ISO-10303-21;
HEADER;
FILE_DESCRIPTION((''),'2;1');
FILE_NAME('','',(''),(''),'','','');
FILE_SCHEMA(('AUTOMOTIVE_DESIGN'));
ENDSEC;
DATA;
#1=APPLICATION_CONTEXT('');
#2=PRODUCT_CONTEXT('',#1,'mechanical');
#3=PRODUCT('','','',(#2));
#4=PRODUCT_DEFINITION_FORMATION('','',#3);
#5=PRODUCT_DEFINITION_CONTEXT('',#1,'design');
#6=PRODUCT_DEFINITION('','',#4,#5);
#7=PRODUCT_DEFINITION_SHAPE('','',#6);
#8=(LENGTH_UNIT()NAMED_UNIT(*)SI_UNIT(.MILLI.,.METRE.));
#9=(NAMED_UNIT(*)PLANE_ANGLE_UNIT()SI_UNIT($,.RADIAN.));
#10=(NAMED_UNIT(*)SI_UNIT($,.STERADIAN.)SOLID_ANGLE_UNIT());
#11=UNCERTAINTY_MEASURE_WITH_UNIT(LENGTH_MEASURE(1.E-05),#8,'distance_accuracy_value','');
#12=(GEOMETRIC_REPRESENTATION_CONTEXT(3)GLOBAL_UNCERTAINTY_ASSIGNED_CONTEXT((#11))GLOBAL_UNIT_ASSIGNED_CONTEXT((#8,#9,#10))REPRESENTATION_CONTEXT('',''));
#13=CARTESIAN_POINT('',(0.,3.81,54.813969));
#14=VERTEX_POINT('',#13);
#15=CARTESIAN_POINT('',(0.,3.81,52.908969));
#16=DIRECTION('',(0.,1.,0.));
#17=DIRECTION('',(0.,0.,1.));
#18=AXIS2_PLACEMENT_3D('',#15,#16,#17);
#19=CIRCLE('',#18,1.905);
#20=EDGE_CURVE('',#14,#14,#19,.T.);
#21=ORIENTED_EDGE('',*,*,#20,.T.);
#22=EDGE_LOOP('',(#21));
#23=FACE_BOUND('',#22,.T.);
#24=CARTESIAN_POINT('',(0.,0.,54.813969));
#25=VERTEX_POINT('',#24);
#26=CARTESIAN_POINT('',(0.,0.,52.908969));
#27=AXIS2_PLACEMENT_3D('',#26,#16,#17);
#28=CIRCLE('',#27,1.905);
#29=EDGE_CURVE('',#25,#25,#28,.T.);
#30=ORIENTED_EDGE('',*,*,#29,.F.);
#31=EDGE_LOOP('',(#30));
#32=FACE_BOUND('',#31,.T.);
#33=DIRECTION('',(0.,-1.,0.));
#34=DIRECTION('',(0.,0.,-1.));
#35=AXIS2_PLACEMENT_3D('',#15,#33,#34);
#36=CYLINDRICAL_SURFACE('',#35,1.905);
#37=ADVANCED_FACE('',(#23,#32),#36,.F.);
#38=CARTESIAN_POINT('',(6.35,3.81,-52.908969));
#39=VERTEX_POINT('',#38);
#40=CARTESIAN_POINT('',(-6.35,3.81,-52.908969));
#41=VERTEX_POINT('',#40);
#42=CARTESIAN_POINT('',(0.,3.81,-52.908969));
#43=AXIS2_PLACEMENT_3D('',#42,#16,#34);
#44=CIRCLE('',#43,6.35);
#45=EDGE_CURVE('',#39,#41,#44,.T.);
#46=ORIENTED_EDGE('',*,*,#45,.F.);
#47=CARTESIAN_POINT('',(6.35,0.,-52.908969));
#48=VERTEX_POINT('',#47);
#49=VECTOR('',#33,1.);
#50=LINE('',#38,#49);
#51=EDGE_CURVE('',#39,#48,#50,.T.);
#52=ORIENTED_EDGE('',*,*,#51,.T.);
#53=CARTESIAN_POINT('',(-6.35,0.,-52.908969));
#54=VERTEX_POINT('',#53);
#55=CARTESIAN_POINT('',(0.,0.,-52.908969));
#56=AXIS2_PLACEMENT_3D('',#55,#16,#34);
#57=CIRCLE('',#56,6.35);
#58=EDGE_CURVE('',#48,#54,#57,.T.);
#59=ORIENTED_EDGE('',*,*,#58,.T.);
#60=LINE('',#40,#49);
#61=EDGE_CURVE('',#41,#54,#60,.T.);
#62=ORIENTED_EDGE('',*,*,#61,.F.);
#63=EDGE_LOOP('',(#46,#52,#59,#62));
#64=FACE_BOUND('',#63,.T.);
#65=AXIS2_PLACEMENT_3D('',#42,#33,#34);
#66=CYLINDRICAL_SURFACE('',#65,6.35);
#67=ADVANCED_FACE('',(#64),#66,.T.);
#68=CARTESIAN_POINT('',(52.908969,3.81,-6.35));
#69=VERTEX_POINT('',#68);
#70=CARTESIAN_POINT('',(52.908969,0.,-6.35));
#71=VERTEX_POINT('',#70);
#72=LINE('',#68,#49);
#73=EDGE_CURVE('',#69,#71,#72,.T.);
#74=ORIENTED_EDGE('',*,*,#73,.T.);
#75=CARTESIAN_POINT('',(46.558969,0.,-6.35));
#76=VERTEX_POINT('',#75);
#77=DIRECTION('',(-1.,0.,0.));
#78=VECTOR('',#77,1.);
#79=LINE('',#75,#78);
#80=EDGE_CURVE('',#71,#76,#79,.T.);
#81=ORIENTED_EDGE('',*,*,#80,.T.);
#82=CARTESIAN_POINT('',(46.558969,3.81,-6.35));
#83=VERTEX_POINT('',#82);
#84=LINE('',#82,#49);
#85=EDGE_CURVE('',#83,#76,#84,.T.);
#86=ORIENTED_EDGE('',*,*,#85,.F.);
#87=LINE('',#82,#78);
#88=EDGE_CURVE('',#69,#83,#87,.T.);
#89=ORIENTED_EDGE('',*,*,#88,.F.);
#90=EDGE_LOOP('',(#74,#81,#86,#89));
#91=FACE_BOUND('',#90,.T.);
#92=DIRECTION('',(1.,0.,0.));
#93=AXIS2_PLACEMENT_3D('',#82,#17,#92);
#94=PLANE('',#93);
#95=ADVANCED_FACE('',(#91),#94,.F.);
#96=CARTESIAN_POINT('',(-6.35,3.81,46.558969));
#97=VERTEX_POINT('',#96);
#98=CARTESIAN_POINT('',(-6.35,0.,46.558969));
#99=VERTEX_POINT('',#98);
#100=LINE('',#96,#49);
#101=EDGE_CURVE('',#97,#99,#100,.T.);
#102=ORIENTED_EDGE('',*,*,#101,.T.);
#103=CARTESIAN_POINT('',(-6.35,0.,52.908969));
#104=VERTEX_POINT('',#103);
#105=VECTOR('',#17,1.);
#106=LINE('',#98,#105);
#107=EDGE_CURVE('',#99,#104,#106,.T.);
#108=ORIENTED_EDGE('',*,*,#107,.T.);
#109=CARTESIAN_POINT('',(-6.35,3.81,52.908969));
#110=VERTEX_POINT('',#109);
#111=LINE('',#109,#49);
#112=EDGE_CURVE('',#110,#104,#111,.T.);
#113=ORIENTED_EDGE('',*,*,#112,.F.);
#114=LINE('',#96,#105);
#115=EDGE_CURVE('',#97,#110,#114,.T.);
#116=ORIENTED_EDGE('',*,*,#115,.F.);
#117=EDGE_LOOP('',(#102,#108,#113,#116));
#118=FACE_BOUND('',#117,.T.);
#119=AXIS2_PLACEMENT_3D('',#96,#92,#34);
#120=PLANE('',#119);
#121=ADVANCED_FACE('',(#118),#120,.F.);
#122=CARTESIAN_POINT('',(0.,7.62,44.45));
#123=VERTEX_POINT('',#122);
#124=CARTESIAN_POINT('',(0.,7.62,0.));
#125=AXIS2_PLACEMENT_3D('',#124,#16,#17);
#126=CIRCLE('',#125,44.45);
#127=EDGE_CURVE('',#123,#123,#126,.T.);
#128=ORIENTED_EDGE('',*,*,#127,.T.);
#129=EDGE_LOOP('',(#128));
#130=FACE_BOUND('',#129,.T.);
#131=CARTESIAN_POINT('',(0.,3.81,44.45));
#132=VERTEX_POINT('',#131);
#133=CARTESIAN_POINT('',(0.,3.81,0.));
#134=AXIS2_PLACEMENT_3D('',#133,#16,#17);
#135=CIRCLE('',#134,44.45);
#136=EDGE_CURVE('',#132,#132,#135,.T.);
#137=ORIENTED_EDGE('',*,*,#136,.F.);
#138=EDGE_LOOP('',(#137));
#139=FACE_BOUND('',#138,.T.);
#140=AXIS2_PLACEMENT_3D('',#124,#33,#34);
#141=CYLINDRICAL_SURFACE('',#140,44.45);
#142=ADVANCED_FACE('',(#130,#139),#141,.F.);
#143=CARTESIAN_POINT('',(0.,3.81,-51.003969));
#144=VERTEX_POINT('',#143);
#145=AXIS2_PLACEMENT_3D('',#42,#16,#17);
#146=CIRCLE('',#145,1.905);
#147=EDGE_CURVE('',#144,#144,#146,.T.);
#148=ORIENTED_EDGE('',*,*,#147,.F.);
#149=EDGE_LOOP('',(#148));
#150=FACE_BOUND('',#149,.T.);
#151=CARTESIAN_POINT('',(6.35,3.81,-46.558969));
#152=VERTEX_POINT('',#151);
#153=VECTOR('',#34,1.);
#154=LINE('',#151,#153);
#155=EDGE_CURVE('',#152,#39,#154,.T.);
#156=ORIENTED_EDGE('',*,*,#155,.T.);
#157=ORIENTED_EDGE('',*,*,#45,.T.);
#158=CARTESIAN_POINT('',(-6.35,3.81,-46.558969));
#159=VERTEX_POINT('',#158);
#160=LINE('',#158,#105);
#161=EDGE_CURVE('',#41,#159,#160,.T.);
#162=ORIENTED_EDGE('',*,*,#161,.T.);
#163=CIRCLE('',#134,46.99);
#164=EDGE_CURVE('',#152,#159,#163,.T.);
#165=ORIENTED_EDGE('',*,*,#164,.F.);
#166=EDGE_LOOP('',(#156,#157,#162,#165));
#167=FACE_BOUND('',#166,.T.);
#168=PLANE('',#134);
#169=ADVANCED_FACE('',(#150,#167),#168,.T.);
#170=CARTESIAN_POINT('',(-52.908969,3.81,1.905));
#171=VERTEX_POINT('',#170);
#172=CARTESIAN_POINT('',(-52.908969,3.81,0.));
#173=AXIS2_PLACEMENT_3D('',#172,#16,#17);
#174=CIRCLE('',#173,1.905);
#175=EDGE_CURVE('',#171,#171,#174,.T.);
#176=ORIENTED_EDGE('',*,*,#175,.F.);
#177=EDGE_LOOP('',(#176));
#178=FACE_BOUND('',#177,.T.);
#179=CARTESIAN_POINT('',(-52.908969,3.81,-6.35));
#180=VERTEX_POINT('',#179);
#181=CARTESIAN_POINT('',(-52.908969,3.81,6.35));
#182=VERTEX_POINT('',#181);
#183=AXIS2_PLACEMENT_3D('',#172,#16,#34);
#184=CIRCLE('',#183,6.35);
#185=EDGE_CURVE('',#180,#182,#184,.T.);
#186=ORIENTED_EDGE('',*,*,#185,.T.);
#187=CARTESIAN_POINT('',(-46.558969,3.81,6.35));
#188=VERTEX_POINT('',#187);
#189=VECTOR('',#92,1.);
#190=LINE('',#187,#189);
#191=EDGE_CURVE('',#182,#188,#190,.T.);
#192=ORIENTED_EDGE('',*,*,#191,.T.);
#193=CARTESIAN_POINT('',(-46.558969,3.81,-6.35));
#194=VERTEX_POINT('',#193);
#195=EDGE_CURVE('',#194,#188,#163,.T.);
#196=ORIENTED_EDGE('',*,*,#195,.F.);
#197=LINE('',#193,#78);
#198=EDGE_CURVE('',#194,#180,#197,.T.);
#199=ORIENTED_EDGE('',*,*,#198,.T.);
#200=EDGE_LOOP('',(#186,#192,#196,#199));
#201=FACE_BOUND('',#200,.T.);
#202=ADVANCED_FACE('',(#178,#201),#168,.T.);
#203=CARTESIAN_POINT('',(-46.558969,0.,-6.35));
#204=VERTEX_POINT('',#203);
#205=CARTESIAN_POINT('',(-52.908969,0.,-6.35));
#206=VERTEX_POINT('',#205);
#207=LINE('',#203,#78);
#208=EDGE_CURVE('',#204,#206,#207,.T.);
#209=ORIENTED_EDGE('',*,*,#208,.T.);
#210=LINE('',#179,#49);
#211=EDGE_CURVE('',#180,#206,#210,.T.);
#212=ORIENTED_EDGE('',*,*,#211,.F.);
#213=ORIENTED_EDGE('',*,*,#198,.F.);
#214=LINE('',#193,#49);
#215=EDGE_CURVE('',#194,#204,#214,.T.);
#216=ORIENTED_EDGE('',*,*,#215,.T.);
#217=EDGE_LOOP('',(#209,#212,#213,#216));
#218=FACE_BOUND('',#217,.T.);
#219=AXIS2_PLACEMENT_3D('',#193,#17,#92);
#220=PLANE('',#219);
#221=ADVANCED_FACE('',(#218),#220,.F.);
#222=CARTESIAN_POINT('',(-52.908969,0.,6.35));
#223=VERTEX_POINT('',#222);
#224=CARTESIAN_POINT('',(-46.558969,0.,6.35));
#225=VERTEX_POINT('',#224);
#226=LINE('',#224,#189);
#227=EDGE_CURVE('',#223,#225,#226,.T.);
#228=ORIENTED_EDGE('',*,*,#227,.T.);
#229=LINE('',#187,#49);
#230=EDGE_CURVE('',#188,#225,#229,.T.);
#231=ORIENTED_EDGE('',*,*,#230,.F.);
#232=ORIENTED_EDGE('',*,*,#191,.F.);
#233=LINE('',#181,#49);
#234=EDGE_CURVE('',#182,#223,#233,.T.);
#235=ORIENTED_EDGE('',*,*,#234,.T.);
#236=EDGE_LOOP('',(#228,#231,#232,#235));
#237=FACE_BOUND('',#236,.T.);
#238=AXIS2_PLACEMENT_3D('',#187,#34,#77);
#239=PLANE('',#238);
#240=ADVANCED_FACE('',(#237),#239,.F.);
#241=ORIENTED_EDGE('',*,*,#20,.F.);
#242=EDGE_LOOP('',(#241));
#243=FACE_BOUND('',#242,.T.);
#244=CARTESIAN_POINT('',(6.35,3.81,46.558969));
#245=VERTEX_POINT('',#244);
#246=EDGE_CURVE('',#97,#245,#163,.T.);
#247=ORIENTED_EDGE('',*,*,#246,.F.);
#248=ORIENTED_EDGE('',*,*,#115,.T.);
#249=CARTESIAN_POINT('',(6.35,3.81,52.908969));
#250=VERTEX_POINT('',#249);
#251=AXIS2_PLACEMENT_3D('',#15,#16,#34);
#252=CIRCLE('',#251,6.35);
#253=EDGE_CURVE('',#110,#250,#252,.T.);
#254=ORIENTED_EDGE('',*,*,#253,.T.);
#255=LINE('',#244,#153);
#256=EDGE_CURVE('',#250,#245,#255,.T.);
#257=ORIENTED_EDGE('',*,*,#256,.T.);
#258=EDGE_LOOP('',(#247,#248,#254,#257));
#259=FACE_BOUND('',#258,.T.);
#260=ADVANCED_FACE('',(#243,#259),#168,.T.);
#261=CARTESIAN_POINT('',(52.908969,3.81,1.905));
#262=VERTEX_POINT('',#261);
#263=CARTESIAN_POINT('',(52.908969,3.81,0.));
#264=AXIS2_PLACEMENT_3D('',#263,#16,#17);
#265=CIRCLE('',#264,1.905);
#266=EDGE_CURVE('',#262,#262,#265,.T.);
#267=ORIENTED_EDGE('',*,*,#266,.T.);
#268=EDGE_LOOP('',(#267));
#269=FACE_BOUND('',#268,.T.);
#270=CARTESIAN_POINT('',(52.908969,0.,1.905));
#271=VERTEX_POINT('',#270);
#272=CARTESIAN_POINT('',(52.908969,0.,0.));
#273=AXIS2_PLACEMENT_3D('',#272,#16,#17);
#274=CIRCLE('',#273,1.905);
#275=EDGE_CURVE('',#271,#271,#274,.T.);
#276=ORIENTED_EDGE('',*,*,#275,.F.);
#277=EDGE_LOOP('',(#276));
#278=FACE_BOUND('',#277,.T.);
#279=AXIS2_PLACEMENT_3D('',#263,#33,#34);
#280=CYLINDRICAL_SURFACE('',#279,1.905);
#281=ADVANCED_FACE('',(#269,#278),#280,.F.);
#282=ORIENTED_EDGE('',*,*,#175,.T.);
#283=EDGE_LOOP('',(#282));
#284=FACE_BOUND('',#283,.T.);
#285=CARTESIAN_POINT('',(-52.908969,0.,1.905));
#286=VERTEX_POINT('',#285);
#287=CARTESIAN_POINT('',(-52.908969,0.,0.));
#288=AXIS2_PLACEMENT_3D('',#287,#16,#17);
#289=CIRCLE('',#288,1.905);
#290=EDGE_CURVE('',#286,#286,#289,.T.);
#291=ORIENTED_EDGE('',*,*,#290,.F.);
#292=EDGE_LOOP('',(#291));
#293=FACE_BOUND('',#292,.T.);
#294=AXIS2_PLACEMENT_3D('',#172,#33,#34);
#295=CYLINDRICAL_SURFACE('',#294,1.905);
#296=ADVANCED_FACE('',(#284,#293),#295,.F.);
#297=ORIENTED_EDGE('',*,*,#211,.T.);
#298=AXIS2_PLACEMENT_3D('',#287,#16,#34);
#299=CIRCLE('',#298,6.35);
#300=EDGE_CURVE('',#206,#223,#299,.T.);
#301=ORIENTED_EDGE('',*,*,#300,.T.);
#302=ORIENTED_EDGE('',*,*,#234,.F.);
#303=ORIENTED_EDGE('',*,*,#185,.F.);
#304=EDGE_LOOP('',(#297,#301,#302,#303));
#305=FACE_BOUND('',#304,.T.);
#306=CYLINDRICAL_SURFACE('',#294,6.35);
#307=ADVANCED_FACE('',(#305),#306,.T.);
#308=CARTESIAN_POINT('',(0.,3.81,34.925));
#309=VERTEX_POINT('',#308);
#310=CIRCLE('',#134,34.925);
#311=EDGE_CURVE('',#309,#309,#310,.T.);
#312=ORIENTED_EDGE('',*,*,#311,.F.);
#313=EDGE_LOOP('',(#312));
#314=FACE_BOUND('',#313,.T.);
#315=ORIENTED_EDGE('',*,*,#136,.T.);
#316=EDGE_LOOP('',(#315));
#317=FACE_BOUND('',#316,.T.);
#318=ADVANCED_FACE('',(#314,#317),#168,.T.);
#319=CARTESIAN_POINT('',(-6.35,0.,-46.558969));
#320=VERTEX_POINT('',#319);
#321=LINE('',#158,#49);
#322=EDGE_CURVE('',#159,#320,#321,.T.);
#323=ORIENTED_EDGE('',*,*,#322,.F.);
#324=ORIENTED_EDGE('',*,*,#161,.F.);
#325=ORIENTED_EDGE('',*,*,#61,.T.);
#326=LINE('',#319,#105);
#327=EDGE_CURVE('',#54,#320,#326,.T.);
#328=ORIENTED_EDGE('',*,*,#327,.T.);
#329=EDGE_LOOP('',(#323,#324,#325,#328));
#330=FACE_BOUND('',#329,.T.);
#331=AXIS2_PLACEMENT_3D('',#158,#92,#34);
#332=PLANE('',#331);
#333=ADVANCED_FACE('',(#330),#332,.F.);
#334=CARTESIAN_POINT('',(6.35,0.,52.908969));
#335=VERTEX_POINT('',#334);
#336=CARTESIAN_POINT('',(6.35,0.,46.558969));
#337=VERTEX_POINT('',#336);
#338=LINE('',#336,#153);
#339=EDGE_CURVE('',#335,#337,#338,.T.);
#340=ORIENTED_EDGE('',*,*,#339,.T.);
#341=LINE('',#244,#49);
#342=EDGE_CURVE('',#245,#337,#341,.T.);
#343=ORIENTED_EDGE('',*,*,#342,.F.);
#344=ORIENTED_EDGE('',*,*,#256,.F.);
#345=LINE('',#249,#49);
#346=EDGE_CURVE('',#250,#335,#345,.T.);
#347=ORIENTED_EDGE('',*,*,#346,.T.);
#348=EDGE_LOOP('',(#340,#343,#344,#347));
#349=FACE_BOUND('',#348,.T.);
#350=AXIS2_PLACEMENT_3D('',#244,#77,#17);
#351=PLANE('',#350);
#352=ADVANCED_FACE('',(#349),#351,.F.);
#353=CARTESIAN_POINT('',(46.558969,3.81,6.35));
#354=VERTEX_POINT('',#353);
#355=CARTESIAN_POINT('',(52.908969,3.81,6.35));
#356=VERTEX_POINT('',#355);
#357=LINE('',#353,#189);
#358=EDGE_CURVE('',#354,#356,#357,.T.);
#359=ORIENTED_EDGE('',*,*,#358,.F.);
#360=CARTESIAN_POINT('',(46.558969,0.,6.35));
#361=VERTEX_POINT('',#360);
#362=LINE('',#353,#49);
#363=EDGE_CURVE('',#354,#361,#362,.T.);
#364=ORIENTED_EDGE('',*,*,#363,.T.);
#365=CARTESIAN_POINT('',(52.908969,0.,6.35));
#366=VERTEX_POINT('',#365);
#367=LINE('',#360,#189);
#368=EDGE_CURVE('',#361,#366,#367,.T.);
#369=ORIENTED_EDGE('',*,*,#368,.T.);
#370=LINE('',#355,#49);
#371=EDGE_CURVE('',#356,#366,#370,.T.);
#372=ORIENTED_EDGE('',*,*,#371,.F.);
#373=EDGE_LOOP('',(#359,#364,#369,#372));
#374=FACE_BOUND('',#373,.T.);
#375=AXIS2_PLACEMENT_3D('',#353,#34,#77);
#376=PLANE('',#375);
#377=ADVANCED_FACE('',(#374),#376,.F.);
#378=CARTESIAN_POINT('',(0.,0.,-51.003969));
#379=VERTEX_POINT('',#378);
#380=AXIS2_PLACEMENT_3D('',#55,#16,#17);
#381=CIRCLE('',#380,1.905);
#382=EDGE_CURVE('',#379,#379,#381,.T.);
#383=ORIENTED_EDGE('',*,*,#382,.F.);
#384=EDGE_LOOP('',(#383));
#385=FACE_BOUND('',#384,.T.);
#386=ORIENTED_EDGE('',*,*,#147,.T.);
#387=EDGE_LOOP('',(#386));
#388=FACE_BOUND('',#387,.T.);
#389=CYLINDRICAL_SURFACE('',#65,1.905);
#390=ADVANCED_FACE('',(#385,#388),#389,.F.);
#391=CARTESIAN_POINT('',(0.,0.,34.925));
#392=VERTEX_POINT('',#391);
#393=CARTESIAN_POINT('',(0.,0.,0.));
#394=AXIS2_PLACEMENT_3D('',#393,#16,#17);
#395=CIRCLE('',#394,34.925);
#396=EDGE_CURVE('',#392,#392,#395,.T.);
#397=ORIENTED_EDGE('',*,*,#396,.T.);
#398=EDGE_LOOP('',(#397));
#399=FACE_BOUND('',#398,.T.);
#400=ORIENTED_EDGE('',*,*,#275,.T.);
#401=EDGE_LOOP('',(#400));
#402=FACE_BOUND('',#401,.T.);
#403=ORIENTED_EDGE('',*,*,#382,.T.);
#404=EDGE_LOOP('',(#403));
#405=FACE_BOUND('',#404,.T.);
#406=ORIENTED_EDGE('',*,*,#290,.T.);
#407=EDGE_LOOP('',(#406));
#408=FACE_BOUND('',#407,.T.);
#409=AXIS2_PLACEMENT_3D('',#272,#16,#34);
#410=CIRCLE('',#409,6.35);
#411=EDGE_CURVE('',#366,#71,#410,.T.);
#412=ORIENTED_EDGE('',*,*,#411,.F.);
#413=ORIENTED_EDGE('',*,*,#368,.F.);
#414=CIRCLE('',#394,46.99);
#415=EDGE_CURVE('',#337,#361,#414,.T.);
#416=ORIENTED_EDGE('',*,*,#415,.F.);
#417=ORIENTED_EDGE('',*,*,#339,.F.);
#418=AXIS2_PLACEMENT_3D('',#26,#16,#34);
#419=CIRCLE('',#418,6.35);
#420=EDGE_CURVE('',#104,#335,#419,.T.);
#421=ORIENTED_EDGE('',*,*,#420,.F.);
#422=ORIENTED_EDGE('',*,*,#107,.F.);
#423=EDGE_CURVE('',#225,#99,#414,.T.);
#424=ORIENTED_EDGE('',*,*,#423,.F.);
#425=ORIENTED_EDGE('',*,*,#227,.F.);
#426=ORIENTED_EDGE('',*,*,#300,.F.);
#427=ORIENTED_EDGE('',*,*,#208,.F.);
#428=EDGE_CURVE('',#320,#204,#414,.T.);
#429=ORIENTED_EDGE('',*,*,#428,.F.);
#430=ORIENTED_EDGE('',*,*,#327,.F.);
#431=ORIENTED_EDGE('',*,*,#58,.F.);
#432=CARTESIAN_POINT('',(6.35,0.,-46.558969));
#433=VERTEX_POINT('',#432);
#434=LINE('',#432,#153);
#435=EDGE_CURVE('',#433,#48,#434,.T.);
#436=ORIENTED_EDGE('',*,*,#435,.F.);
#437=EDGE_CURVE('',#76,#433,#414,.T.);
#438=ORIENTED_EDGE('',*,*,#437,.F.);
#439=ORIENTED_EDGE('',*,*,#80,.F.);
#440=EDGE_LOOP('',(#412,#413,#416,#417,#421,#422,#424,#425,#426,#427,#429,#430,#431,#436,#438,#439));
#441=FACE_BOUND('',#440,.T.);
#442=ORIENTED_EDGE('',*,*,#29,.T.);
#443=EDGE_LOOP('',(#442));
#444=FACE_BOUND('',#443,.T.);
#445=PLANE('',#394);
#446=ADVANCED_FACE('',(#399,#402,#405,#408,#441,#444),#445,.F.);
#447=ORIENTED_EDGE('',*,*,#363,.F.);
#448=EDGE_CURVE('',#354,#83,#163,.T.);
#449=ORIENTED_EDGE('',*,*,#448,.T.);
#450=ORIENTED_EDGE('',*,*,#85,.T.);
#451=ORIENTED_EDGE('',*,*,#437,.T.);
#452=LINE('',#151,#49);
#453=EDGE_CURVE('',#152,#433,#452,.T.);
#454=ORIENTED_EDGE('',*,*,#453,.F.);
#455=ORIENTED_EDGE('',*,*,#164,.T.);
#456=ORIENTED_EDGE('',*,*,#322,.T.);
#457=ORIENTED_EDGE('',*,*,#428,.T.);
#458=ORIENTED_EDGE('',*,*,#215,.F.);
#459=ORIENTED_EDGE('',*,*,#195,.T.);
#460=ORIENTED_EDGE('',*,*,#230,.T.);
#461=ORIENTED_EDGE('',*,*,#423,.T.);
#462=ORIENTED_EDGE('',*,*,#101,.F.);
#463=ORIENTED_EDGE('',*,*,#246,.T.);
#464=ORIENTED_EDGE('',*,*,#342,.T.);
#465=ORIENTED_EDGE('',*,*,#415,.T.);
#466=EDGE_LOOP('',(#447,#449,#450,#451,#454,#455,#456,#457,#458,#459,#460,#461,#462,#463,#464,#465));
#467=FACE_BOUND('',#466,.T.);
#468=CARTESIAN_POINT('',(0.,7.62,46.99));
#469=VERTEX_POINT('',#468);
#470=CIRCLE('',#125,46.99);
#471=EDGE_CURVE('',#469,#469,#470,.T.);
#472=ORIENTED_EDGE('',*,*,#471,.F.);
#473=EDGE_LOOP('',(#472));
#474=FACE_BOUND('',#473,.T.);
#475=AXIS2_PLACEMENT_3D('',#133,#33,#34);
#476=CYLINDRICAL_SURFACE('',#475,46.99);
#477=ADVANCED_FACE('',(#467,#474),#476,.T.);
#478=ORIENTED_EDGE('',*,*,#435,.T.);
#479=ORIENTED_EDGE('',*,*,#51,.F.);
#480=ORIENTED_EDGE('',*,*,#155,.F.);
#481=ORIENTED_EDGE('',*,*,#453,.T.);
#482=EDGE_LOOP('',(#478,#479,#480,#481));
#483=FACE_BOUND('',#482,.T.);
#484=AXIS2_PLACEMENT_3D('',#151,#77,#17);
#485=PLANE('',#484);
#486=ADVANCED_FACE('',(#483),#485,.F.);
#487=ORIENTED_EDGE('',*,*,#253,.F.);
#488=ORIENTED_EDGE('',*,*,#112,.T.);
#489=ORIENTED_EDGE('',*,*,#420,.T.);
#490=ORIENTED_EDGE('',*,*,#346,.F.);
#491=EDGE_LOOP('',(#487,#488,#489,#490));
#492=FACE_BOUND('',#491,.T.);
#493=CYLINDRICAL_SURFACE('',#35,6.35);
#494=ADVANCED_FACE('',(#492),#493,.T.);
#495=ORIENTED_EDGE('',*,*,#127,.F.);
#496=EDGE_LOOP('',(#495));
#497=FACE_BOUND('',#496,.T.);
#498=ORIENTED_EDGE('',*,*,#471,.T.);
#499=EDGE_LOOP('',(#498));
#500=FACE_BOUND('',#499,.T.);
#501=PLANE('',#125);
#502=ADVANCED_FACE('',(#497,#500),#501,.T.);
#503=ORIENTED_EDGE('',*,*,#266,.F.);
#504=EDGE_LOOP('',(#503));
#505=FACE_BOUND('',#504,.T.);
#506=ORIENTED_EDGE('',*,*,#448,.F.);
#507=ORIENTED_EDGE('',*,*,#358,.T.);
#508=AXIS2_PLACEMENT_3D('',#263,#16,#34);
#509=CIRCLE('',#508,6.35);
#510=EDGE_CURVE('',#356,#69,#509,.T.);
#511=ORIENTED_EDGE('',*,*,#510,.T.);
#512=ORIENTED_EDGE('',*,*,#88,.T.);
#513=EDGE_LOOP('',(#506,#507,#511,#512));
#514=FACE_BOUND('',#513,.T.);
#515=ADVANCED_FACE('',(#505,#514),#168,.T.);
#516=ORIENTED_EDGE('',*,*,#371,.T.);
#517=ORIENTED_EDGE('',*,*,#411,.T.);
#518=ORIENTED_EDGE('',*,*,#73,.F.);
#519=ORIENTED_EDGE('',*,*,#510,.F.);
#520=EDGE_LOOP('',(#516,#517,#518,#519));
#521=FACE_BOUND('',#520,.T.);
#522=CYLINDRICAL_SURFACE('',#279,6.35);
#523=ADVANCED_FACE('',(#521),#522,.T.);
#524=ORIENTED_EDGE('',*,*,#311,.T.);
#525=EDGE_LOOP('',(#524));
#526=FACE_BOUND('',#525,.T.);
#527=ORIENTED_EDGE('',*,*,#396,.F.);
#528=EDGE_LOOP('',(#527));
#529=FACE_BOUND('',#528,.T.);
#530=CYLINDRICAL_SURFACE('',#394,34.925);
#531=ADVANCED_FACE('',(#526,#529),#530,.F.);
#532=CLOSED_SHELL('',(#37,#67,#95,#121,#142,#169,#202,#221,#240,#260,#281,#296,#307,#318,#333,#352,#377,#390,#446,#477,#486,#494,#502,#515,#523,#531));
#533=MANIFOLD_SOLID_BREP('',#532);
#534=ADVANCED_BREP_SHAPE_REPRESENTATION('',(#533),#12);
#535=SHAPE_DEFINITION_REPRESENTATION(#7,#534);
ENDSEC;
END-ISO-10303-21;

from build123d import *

# Parameters (mm, degrees)
SKETCH1_R           = 1.905
BOSS_EXTRUDE1_DEPTH = 3.81
SKETCH2_R           = 34.925
CUT_EXTRUDE2_DEPTH  = 4.81
SKETCH3_R           = 46.99
SKETCH3_R_2         = 44.45
BOSS_EXTRUDE2_DEPTH = 3.81


with BuildPart() as part:
    # Sketch1 → Boss-Extrude1 (new body)
    with BuildSketch(Plane(origin=(0, 0, 0), x_dir=(1, 0, 0), z_dir=(0, 1, 0))):
        with BuildLine():
            Line((46.558969061, 6.35), (52.908969061, 6.35))
            ThreePointArc((52.908969061, 6.35), (59.258969061, 0), (52.908969061, -6.35))
            Line((52.908969061, -6.35), (46.558969061, -6.35))
            ThreePointArc((46.558969061, -6.35), (33.226947648, -33.226947648), (6.35, -46.558969061))
            Line((6.35, -46.558969061), (6.35, -52.908969061))
            ThreePointArc((6.35, -52.908969061), (0, -59.258969061), (-6.35, -52.908969061))
            Line((-6.35, -52.908969061), (-6.35, -46.558969061))
            ThreePointArc((-6.35, -46.558969061), (-33.226947648, -33.226947648), (-46.558969061, -6.35))
            Line((-46.558969061, -6.35), (-52.908969061, -6.35))
            ThreePointArc((-52.908969061, -6.35), (-59.258969061, 0), (-52.908969061, 6.35))
            Line((-52.908969061, 6.35), (-46.558969061, 6.35))
            ThreePointArc((-46.558969061, 6.35), (-33.226947648, 33.226947648), (-6.35, 46.558969061))
            Line((-6.35, 46.558969061), (-6.35, 52.908969061))
            ThreePointArc((-6.35, 52.908969061), (0, 59.258969061), (6.35, 52.908969061))
            Line((6.35, 52.908969061), (6.35, 46.558969061))
            ThreePointArc((6.35, 46.558969061), (33.226947648, 33.226947648), (46.558969061, 6.35))
        make_face()
        with Locations((52.908969061, 0)):
            Circle(SKETCH1_R, mode=Mode.SUBTRACT)
        with Locations((0, -52.908969061)):
            Circle(SKETCH1_R, mode=Mode.SUBTRACT)
        with Locations((-52.908969061, 0)):
            Circle(SKETCH1_R, mode=Mode.SUBTRACT)
        with Locations((0, 52.908969061)):
            Circle(SKETCH1_R, mode=Mode.SUBTRACT)
    extrude(amount=BOSS_EXTRUDE1_DEPTH)

    # Sketch2 → Cut-Extrude2 (cut, through all)
    with BuildSketch(Plane(origin=(0, 3.81, 0), x_dir=(1, 0, 0), z_dir=(0, 1, 0))):
        Circle(SKETCH2_R)
    extrude(amount=-CUT_EXTRUDE2_DEPTH, mode=Mode.SUBTRACT)

    # Sketch3 → Boss-Extrude2 (add)
    with BuildSketch(Plane(origin=(0, 3.81, 0), x_dir=(1, 0, 0), z_dir=(0, 1, 0))):
        Circle(SKETCH3_R)
        Circle(SKETCH3_R_2, mode=Mode.SUBTRACT)
    extrude(amount=BOSS_EXTRUDE2_DEPTH)


solid = part.part
